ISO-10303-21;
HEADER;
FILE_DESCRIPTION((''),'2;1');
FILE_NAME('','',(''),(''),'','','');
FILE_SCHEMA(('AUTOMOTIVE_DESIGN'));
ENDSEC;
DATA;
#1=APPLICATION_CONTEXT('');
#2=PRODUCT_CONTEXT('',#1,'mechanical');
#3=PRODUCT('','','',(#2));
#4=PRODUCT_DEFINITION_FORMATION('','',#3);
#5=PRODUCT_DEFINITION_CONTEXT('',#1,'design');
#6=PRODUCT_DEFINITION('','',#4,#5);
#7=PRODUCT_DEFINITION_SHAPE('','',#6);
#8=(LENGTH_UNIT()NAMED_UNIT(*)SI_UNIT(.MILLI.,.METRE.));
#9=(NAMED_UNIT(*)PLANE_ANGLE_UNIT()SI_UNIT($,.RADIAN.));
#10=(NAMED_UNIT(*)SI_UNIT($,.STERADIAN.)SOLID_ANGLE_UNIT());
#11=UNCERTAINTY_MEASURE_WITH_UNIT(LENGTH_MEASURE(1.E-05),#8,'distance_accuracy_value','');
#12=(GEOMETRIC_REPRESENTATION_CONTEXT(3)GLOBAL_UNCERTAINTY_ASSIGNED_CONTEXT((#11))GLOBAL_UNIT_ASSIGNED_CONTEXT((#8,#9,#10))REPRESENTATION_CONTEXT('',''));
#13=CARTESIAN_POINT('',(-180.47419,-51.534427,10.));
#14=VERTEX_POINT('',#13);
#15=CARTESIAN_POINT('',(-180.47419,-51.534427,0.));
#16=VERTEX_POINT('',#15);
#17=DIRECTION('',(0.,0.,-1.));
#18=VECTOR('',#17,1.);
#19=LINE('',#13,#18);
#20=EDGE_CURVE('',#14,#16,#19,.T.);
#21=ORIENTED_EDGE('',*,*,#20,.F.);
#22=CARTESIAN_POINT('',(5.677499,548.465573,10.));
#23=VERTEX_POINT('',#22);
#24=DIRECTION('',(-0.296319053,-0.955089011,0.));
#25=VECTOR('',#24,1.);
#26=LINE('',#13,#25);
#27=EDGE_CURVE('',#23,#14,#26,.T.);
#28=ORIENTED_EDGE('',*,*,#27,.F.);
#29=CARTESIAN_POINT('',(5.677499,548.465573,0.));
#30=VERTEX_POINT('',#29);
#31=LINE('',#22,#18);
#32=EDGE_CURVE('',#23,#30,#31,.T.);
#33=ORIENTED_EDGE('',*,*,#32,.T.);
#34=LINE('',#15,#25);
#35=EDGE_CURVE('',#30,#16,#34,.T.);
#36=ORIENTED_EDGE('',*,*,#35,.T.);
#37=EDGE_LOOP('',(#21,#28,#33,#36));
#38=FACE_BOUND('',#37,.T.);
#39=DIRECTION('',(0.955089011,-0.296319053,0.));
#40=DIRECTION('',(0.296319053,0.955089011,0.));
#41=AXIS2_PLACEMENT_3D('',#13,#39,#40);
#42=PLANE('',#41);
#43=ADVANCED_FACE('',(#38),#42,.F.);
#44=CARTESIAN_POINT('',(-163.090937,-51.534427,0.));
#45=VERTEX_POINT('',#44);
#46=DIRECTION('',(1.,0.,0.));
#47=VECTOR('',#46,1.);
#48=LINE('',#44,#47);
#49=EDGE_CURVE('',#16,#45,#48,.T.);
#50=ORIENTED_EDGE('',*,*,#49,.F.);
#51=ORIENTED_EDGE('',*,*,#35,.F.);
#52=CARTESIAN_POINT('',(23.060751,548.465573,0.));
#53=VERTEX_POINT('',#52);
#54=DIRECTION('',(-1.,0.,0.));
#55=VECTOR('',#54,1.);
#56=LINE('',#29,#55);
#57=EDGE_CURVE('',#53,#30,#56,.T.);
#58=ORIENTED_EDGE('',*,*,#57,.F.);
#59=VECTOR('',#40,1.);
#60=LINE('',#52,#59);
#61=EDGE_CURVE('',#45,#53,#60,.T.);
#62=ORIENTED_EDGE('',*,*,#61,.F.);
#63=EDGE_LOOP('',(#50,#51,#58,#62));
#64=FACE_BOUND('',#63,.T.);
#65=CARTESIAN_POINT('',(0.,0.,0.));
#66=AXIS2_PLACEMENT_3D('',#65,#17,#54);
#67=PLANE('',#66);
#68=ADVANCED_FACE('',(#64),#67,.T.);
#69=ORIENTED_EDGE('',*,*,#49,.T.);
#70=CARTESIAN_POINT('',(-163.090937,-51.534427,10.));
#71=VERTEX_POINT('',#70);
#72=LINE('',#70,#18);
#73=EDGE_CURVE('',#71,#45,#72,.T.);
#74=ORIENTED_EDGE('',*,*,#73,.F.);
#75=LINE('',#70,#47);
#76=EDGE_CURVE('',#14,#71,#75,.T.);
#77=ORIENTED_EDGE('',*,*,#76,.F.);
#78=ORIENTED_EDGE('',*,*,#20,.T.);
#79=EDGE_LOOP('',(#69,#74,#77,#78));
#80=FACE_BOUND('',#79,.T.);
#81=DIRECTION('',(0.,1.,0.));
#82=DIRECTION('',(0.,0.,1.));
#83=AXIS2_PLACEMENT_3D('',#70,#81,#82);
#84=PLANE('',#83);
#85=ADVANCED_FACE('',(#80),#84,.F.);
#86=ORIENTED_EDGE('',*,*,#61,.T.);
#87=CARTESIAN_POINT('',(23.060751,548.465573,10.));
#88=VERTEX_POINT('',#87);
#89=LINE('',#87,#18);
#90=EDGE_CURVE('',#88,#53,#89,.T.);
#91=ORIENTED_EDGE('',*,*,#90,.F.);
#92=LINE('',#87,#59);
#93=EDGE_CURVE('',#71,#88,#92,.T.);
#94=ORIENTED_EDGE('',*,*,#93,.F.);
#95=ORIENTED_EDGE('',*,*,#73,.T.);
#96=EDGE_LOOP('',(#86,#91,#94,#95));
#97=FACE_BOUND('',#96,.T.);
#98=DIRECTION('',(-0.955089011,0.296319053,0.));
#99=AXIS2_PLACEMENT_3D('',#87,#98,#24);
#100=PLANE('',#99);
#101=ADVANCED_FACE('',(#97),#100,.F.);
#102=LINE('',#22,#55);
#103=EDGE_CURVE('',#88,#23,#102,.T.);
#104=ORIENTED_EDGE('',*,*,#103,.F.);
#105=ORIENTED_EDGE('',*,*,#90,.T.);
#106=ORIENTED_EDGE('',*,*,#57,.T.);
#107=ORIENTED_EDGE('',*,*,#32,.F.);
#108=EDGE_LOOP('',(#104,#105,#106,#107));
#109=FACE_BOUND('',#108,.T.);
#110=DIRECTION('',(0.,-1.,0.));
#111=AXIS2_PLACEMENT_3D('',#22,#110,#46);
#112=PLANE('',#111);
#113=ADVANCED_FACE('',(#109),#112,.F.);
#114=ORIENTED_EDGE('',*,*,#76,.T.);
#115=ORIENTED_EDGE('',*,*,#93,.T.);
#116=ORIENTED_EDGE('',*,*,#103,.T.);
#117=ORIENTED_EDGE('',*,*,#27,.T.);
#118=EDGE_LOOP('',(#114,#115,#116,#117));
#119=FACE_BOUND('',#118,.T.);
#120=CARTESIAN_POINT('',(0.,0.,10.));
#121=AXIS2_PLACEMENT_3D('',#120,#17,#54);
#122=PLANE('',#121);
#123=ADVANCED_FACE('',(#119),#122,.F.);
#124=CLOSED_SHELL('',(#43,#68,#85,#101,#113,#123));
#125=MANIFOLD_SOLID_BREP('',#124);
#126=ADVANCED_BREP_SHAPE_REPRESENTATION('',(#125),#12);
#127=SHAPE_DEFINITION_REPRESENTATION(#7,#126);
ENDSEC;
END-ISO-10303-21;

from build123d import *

# Parameters (mm, degrees)
BOSS_EXTRUDE1_DEPTH = 10


with BuildPart() as part:
    # Sketch1 → Boss-Extrude1 (new body)
    with BuildSketch(Plane.XY):
        Polygon((5.677498633, 548.465572612), (23.060751451, 548.465572612), (-163.09093689, -51.534427388), (-180.474189708, -51.534427388), align=None)
    extrude(amount=BOSS_EXTRUDE1_DEPTH)


solid = part.part
